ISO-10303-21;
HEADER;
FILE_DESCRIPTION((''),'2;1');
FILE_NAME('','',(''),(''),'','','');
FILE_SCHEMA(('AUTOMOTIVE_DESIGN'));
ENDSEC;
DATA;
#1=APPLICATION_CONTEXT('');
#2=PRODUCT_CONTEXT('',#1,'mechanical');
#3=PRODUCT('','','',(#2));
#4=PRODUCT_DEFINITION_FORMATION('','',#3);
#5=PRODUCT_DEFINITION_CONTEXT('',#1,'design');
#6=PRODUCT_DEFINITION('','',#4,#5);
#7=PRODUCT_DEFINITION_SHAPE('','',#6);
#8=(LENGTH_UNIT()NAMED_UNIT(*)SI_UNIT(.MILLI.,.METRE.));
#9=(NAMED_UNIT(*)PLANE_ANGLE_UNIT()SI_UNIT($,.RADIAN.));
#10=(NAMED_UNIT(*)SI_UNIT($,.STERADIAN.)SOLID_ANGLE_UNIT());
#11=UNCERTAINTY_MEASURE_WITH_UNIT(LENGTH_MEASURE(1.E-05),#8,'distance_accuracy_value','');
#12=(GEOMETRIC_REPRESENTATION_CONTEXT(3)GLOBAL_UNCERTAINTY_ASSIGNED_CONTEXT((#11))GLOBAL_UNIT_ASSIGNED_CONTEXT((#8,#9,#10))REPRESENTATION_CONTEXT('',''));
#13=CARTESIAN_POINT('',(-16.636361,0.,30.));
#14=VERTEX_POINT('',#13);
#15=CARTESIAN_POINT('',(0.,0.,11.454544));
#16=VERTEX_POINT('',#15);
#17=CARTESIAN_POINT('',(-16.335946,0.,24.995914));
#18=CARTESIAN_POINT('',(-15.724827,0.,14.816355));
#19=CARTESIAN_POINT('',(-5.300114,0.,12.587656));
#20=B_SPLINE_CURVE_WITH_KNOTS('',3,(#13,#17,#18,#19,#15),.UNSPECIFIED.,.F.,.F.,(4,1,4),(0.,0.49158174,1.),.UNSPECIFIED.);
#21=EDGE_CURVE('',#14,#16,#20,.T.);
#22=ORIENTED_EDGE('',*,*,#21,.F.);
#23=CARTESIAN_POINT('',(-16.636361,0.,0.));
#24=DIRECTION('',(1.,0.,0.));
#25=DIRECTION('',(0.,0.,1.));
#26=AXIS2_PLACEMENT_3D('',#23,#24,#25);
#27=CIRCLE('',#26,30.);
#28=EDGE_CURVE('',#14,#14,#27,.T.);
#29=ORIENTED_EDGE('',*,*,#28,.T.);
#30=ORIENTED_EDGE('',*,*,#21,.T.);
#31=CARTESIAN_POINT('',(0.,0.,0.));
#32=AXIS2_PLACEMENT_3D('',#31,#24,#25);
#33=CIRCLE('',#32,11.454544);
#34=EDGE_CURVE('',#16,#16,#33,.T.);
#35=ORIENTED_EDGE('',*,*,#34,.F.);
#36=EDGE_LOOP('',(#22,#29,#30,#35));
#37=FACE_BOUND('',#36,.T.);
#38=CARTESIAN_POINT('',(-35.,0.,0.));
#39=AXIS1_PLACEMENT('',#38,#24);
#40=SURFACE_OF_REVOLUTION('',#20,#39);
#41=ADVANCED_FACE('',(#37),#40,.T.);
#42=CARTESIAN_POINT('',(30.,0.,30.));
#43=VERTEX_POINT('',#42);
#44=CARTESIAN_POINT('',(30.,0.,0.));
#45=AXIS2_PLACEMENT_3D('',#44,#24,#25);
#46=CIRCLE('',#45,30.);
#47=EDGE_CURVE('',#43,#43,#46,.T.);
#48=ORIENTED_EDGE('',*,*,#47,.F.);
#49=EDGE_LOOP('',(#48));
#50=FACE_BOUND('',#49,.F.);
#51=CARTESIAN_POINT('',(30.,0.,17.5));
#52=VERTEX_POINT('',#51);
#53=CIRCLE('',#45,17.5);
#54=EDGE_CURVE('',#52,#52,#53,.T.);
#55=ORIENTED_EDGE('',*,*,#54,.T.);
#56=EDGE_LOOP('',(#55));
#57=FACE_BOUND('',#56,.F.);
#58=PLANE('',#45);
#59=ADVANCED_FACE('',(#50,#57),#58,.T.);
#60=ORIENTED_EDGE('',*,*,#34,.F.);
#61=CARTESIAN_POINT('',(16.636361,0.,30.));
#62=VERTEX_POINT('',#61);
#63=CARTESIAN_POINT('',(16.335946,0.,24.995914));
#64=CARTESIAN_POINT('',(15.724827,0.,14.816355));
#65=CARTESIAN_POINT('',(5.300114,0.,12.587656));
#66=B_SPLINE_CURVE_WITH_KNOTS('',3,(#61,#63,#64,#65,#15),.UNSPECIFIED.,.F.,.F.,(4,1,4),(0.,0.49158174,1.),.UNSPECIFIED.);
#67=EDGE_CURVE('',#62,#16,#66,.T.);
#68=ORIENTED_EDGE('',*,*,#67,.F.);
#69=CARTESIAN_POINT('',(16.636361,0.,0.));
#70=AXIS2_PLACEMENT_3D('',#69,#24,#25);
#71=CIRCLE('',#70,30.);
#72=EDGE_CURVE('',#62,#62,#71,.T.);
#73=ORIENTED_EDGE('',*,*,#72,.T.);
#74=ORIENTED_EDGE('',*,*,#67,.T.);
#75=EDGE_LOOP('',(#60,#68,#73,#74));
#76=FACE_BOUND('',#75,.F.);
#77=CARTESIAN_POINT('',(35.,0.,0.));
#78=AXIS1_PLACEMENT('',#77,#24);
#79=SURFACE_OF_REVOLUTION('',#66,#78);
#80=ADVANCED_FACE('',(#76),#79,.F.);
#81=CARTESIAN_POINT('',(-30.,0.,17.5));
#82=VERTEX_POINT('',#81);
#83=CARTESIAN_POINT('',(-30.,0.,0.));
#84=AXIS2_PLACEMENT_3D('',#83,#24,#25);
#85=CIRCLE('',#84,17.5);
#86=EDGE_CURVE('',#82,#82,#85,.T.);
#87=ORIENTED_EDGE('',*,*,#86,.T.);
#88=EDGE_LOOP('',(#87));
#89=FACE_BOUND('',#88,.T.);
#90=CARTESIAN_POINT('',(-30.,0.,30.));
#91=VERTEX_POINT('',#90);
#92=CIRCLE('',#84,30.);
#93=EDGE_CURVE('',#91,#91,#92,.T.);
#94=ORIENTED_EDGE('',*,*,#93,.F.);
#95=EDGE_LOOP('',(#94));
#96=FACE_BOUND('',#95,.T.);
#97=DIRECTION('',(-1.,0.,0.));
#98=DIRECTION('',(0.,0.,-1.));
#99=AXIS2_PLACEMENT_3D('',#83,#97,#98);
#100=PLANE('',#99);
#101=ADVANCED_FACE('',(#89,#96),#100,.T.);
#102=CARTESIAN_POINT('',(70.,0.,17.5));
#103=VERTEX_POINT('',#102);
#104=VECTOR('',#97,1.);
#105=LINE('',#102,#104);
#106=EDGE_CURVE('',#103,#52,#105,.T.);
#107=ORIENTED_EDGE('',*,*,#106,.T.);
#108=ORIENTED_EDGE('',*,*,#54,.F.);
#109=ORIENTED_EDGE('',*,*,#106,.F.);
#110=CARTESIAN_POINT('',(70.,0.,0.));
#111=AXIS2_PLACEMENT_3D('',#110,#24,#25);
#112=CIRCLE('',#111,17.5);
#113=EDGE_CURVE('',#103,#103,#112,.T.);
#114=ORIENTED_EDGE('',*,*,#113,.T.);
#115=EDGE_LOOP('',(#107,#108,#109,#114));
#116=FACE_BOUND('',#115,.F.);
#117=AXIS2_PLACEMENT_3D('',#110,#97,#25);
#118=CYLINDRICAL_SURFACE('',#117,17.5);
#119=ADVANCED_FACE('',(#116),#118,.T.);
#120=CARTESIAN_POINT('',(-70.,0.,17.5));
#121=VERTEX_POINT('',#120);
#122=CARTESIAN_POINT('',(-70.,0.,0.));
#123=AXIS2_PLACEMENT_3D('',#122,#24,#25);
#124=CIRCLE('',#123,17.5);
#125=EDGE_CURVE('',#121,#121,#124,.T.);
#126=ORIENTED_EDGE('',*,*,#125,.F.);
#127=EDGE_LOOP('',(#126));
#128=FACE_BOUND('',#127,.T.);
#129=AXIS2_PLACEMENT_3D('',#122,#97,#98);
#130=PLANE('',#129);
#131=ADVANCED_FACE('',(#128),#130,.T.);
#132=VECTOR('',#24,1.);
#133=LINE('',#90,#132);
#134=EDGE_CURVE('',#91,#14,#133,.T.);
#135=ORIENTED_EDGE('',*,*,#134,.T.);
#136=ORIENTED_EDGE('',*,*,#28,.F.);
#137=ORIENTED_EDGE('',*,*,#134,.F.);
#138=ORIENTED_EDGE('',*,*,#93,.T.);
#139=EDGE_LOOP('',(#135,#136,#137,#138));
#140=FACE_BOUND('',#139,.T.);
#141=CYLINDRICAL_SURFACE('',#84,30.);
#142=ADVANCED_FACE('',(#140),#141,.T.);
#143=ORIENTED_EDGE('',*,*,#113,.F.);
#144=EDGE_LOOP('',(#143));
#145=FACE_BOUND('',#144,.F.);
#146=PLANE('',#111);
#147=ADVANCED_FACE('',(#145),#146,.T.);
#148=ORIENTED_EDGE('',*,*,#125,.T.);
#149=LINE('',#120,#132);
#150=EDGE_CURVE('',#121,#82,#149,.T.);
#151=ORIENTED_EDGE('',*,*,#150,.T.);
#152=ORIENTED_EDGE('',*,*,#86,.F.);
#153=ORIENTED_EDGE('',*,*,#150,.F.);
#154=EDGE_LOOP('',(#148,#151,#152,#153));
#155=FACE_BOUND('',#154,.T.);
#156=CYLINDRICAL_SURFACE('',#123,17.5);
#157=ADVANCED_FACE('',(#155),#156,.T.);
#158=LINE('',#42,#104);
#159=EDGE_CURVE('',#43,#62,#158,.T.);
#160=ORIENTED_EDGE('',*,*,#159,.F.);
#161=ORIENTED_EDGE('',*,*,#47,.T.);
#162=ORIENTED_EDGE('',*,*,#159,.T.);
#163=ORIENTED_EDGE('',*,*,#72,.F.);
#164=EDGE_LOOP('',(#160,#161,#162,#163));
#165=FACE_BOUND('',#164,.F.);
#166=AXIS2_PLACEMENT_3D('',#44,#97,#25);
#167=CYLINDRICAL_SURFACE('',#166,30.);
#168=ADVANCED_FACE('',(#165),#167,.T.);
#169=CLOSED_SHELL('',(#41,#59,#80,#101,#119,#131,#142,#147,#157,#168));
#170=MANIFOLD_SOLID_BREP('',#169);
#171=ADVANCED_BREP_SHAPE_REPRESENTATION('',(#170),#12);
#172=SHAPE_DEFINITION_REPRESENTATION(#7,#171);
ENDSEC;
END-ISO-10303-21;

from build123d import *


with BuildPart() as f1:
    # F0 (on Front) → F1 (revolve)
    with BuildSketch(Plane.XZ):
        with BuildLine():
            Line((0, 11.4545442155), (0, 0))
            Line((0, 0), (70, 0))
            Line((70, 0), (70, 17.5))
            Line((70, 17.5), (30, 17.5))
            Line((30, 17.5), (30, 30))
            Line((30, 30), (16.6363608975, 30))
            add(Edge.make_bspline(
                [(16.6363608975, 30), (16.3359459293, 24.9959144902), (15.7248268752, 14.8163551265), (5.3001142489, 12.5876556992), (0, 11.4545442155)],
                knots=[0, 0, 0, 0, 0.4915817405, 1, 1, 1, 1], degree=3))
        make_face()
    revolve(axis=Axis((35, 0, 0), (1, 0, 0)))

    # F2: F1 across face


with BuildPart() as f1_1:
    add(f1.part)
    add(f1.part.mirror(Plane(origin=(0, 0, 0), x_dir=(0, -1, 0), z_dir=(-1, 0, 0))))


solid = f1_1.part
